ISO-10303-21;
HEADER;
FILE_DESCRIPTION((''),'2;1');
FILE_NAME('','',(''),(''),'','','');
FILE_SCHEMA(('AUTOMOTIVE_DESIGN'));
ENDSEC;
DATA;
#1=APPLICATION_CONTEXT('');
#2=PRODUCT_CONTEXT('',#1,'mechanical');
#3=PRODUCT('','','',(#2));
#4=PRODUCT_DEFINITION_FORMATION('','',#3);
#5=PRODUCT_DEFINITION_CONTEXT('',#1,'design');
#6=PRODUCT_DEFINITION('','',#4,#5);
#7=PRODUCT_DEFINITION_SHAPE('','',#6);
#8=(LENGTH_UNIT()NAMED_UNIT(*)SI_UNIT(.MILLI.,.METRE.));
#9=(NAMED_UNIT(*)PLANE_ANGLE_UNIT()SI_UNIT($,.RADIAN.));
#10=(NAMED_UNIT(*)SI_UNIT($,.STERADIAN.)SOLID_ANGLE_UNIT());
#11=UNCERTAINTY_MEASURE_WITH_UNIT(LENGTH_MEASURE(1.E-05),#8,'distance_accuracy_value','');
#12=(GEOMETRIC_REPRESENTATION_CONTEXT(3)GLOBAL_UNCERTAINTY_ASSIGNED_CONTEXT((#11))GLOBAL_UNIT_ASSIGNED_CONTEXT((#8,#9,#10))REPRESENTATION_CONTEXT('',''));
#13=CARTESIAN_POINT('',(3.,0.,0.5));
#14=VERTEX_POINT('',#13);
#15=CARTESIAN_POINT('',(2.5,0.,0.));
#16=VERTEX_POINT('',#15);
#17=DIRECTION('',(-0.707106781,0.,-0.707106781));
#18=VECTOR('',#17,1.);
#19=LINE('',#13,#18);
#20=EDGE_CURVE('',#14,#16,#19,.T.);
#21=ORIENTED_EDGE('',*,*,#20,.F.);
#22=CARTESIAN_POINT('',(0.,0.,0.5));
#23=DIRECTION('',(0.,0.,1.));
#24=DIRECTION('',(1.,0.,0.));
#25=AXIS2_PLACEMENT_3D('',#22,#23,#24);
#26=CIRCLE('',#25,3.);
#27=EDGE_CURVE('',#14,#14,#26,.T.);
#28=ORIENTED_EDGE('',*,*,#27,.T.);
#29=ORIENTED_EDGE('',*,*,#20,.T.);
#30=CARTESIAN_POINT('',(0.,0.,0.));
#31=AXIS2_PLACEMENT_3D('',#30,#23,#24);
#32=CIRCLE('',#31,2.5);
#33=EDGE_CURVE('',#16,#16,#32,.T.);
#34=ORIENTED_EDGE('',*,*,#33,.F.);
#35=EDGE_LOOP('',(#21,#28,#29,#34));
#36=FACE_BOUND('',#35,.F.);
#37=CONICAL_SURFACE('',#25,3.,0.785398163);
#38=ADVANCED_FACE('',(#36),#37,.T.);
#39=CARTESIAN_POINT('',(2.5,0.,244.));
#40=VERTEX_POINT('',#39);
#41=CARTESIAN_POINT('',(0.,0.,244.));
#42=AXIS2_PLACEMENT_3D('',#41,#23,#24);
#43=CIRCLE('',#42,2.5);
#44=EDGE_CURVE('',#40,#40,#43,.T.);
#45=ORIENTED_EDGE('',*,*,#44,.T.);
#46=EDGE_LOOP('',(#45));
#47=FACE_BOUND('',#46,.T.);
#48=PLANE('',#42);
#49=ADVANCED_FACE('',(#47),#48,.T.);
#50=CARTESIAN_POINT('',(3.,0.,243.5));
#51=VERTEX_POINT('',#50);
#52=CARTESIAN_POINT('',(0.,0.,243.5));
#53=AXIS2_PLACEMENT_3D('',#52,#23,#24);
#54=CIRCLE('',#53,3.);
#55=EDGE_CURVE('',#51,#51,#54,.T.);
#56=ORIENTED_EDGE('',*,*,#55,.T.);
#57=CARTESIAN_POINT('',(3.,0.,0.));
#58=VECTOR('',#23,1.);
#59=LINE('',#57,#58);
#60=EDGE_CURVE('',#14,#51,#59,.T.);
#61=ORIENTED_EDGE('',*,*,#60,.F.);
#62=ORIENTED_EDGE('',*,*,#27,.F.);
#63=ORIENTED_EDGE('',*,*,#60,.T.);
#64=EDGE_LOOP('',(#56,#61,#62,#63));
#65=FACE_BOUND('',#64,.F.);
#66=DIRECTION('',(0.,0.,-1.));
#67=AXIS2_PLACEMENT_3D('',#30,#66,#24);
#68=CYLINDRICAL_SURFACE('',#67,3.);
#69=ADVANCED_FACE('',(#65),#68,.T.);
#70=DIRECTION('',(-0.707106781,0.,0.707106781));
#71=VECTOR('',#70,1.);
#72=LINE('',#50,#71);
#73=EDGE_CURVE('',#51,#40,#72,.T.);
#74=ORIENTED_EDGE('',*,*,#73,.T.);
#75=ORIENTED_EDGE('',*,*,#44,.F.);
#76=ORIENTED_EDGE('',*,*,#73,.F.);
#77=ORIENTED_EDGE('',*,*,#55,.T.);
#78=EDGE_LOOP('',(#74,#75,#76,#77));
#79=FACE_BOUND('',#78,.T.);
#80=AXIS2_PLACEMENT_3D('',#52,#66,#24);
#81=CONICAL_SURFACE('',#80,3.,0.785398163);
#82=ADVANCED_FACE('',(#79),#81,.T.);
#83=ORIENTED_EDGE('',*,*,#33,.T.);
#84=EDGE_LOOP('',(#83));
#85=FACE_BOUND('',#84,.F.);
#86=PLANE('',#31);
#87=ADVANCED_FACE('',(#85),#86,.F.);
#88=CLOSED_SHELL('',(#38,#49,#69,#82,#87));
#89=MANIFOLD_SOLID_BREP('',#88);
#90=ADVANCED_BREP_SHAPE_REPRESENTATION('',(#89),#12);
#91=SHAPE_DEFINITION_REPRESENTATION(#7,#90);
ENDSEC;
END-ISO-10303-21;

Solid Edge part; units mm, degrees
sketch "Sketch1" plane through (0, 0, 0) normal (0, 0, 1) x (1, 0, 0)
  circle A0 centre (0, 0) radius 3
extrude "Protrusion1" add sketch "Sketch1" along normal blind 244
chamfer "Chamfer_1" distance 0.5 angle 45 2 edges at (-3, 0, 0) (-3, 0, 244)
cosmetic_thread "Thread1" size "M6"
properties material "Steel"
